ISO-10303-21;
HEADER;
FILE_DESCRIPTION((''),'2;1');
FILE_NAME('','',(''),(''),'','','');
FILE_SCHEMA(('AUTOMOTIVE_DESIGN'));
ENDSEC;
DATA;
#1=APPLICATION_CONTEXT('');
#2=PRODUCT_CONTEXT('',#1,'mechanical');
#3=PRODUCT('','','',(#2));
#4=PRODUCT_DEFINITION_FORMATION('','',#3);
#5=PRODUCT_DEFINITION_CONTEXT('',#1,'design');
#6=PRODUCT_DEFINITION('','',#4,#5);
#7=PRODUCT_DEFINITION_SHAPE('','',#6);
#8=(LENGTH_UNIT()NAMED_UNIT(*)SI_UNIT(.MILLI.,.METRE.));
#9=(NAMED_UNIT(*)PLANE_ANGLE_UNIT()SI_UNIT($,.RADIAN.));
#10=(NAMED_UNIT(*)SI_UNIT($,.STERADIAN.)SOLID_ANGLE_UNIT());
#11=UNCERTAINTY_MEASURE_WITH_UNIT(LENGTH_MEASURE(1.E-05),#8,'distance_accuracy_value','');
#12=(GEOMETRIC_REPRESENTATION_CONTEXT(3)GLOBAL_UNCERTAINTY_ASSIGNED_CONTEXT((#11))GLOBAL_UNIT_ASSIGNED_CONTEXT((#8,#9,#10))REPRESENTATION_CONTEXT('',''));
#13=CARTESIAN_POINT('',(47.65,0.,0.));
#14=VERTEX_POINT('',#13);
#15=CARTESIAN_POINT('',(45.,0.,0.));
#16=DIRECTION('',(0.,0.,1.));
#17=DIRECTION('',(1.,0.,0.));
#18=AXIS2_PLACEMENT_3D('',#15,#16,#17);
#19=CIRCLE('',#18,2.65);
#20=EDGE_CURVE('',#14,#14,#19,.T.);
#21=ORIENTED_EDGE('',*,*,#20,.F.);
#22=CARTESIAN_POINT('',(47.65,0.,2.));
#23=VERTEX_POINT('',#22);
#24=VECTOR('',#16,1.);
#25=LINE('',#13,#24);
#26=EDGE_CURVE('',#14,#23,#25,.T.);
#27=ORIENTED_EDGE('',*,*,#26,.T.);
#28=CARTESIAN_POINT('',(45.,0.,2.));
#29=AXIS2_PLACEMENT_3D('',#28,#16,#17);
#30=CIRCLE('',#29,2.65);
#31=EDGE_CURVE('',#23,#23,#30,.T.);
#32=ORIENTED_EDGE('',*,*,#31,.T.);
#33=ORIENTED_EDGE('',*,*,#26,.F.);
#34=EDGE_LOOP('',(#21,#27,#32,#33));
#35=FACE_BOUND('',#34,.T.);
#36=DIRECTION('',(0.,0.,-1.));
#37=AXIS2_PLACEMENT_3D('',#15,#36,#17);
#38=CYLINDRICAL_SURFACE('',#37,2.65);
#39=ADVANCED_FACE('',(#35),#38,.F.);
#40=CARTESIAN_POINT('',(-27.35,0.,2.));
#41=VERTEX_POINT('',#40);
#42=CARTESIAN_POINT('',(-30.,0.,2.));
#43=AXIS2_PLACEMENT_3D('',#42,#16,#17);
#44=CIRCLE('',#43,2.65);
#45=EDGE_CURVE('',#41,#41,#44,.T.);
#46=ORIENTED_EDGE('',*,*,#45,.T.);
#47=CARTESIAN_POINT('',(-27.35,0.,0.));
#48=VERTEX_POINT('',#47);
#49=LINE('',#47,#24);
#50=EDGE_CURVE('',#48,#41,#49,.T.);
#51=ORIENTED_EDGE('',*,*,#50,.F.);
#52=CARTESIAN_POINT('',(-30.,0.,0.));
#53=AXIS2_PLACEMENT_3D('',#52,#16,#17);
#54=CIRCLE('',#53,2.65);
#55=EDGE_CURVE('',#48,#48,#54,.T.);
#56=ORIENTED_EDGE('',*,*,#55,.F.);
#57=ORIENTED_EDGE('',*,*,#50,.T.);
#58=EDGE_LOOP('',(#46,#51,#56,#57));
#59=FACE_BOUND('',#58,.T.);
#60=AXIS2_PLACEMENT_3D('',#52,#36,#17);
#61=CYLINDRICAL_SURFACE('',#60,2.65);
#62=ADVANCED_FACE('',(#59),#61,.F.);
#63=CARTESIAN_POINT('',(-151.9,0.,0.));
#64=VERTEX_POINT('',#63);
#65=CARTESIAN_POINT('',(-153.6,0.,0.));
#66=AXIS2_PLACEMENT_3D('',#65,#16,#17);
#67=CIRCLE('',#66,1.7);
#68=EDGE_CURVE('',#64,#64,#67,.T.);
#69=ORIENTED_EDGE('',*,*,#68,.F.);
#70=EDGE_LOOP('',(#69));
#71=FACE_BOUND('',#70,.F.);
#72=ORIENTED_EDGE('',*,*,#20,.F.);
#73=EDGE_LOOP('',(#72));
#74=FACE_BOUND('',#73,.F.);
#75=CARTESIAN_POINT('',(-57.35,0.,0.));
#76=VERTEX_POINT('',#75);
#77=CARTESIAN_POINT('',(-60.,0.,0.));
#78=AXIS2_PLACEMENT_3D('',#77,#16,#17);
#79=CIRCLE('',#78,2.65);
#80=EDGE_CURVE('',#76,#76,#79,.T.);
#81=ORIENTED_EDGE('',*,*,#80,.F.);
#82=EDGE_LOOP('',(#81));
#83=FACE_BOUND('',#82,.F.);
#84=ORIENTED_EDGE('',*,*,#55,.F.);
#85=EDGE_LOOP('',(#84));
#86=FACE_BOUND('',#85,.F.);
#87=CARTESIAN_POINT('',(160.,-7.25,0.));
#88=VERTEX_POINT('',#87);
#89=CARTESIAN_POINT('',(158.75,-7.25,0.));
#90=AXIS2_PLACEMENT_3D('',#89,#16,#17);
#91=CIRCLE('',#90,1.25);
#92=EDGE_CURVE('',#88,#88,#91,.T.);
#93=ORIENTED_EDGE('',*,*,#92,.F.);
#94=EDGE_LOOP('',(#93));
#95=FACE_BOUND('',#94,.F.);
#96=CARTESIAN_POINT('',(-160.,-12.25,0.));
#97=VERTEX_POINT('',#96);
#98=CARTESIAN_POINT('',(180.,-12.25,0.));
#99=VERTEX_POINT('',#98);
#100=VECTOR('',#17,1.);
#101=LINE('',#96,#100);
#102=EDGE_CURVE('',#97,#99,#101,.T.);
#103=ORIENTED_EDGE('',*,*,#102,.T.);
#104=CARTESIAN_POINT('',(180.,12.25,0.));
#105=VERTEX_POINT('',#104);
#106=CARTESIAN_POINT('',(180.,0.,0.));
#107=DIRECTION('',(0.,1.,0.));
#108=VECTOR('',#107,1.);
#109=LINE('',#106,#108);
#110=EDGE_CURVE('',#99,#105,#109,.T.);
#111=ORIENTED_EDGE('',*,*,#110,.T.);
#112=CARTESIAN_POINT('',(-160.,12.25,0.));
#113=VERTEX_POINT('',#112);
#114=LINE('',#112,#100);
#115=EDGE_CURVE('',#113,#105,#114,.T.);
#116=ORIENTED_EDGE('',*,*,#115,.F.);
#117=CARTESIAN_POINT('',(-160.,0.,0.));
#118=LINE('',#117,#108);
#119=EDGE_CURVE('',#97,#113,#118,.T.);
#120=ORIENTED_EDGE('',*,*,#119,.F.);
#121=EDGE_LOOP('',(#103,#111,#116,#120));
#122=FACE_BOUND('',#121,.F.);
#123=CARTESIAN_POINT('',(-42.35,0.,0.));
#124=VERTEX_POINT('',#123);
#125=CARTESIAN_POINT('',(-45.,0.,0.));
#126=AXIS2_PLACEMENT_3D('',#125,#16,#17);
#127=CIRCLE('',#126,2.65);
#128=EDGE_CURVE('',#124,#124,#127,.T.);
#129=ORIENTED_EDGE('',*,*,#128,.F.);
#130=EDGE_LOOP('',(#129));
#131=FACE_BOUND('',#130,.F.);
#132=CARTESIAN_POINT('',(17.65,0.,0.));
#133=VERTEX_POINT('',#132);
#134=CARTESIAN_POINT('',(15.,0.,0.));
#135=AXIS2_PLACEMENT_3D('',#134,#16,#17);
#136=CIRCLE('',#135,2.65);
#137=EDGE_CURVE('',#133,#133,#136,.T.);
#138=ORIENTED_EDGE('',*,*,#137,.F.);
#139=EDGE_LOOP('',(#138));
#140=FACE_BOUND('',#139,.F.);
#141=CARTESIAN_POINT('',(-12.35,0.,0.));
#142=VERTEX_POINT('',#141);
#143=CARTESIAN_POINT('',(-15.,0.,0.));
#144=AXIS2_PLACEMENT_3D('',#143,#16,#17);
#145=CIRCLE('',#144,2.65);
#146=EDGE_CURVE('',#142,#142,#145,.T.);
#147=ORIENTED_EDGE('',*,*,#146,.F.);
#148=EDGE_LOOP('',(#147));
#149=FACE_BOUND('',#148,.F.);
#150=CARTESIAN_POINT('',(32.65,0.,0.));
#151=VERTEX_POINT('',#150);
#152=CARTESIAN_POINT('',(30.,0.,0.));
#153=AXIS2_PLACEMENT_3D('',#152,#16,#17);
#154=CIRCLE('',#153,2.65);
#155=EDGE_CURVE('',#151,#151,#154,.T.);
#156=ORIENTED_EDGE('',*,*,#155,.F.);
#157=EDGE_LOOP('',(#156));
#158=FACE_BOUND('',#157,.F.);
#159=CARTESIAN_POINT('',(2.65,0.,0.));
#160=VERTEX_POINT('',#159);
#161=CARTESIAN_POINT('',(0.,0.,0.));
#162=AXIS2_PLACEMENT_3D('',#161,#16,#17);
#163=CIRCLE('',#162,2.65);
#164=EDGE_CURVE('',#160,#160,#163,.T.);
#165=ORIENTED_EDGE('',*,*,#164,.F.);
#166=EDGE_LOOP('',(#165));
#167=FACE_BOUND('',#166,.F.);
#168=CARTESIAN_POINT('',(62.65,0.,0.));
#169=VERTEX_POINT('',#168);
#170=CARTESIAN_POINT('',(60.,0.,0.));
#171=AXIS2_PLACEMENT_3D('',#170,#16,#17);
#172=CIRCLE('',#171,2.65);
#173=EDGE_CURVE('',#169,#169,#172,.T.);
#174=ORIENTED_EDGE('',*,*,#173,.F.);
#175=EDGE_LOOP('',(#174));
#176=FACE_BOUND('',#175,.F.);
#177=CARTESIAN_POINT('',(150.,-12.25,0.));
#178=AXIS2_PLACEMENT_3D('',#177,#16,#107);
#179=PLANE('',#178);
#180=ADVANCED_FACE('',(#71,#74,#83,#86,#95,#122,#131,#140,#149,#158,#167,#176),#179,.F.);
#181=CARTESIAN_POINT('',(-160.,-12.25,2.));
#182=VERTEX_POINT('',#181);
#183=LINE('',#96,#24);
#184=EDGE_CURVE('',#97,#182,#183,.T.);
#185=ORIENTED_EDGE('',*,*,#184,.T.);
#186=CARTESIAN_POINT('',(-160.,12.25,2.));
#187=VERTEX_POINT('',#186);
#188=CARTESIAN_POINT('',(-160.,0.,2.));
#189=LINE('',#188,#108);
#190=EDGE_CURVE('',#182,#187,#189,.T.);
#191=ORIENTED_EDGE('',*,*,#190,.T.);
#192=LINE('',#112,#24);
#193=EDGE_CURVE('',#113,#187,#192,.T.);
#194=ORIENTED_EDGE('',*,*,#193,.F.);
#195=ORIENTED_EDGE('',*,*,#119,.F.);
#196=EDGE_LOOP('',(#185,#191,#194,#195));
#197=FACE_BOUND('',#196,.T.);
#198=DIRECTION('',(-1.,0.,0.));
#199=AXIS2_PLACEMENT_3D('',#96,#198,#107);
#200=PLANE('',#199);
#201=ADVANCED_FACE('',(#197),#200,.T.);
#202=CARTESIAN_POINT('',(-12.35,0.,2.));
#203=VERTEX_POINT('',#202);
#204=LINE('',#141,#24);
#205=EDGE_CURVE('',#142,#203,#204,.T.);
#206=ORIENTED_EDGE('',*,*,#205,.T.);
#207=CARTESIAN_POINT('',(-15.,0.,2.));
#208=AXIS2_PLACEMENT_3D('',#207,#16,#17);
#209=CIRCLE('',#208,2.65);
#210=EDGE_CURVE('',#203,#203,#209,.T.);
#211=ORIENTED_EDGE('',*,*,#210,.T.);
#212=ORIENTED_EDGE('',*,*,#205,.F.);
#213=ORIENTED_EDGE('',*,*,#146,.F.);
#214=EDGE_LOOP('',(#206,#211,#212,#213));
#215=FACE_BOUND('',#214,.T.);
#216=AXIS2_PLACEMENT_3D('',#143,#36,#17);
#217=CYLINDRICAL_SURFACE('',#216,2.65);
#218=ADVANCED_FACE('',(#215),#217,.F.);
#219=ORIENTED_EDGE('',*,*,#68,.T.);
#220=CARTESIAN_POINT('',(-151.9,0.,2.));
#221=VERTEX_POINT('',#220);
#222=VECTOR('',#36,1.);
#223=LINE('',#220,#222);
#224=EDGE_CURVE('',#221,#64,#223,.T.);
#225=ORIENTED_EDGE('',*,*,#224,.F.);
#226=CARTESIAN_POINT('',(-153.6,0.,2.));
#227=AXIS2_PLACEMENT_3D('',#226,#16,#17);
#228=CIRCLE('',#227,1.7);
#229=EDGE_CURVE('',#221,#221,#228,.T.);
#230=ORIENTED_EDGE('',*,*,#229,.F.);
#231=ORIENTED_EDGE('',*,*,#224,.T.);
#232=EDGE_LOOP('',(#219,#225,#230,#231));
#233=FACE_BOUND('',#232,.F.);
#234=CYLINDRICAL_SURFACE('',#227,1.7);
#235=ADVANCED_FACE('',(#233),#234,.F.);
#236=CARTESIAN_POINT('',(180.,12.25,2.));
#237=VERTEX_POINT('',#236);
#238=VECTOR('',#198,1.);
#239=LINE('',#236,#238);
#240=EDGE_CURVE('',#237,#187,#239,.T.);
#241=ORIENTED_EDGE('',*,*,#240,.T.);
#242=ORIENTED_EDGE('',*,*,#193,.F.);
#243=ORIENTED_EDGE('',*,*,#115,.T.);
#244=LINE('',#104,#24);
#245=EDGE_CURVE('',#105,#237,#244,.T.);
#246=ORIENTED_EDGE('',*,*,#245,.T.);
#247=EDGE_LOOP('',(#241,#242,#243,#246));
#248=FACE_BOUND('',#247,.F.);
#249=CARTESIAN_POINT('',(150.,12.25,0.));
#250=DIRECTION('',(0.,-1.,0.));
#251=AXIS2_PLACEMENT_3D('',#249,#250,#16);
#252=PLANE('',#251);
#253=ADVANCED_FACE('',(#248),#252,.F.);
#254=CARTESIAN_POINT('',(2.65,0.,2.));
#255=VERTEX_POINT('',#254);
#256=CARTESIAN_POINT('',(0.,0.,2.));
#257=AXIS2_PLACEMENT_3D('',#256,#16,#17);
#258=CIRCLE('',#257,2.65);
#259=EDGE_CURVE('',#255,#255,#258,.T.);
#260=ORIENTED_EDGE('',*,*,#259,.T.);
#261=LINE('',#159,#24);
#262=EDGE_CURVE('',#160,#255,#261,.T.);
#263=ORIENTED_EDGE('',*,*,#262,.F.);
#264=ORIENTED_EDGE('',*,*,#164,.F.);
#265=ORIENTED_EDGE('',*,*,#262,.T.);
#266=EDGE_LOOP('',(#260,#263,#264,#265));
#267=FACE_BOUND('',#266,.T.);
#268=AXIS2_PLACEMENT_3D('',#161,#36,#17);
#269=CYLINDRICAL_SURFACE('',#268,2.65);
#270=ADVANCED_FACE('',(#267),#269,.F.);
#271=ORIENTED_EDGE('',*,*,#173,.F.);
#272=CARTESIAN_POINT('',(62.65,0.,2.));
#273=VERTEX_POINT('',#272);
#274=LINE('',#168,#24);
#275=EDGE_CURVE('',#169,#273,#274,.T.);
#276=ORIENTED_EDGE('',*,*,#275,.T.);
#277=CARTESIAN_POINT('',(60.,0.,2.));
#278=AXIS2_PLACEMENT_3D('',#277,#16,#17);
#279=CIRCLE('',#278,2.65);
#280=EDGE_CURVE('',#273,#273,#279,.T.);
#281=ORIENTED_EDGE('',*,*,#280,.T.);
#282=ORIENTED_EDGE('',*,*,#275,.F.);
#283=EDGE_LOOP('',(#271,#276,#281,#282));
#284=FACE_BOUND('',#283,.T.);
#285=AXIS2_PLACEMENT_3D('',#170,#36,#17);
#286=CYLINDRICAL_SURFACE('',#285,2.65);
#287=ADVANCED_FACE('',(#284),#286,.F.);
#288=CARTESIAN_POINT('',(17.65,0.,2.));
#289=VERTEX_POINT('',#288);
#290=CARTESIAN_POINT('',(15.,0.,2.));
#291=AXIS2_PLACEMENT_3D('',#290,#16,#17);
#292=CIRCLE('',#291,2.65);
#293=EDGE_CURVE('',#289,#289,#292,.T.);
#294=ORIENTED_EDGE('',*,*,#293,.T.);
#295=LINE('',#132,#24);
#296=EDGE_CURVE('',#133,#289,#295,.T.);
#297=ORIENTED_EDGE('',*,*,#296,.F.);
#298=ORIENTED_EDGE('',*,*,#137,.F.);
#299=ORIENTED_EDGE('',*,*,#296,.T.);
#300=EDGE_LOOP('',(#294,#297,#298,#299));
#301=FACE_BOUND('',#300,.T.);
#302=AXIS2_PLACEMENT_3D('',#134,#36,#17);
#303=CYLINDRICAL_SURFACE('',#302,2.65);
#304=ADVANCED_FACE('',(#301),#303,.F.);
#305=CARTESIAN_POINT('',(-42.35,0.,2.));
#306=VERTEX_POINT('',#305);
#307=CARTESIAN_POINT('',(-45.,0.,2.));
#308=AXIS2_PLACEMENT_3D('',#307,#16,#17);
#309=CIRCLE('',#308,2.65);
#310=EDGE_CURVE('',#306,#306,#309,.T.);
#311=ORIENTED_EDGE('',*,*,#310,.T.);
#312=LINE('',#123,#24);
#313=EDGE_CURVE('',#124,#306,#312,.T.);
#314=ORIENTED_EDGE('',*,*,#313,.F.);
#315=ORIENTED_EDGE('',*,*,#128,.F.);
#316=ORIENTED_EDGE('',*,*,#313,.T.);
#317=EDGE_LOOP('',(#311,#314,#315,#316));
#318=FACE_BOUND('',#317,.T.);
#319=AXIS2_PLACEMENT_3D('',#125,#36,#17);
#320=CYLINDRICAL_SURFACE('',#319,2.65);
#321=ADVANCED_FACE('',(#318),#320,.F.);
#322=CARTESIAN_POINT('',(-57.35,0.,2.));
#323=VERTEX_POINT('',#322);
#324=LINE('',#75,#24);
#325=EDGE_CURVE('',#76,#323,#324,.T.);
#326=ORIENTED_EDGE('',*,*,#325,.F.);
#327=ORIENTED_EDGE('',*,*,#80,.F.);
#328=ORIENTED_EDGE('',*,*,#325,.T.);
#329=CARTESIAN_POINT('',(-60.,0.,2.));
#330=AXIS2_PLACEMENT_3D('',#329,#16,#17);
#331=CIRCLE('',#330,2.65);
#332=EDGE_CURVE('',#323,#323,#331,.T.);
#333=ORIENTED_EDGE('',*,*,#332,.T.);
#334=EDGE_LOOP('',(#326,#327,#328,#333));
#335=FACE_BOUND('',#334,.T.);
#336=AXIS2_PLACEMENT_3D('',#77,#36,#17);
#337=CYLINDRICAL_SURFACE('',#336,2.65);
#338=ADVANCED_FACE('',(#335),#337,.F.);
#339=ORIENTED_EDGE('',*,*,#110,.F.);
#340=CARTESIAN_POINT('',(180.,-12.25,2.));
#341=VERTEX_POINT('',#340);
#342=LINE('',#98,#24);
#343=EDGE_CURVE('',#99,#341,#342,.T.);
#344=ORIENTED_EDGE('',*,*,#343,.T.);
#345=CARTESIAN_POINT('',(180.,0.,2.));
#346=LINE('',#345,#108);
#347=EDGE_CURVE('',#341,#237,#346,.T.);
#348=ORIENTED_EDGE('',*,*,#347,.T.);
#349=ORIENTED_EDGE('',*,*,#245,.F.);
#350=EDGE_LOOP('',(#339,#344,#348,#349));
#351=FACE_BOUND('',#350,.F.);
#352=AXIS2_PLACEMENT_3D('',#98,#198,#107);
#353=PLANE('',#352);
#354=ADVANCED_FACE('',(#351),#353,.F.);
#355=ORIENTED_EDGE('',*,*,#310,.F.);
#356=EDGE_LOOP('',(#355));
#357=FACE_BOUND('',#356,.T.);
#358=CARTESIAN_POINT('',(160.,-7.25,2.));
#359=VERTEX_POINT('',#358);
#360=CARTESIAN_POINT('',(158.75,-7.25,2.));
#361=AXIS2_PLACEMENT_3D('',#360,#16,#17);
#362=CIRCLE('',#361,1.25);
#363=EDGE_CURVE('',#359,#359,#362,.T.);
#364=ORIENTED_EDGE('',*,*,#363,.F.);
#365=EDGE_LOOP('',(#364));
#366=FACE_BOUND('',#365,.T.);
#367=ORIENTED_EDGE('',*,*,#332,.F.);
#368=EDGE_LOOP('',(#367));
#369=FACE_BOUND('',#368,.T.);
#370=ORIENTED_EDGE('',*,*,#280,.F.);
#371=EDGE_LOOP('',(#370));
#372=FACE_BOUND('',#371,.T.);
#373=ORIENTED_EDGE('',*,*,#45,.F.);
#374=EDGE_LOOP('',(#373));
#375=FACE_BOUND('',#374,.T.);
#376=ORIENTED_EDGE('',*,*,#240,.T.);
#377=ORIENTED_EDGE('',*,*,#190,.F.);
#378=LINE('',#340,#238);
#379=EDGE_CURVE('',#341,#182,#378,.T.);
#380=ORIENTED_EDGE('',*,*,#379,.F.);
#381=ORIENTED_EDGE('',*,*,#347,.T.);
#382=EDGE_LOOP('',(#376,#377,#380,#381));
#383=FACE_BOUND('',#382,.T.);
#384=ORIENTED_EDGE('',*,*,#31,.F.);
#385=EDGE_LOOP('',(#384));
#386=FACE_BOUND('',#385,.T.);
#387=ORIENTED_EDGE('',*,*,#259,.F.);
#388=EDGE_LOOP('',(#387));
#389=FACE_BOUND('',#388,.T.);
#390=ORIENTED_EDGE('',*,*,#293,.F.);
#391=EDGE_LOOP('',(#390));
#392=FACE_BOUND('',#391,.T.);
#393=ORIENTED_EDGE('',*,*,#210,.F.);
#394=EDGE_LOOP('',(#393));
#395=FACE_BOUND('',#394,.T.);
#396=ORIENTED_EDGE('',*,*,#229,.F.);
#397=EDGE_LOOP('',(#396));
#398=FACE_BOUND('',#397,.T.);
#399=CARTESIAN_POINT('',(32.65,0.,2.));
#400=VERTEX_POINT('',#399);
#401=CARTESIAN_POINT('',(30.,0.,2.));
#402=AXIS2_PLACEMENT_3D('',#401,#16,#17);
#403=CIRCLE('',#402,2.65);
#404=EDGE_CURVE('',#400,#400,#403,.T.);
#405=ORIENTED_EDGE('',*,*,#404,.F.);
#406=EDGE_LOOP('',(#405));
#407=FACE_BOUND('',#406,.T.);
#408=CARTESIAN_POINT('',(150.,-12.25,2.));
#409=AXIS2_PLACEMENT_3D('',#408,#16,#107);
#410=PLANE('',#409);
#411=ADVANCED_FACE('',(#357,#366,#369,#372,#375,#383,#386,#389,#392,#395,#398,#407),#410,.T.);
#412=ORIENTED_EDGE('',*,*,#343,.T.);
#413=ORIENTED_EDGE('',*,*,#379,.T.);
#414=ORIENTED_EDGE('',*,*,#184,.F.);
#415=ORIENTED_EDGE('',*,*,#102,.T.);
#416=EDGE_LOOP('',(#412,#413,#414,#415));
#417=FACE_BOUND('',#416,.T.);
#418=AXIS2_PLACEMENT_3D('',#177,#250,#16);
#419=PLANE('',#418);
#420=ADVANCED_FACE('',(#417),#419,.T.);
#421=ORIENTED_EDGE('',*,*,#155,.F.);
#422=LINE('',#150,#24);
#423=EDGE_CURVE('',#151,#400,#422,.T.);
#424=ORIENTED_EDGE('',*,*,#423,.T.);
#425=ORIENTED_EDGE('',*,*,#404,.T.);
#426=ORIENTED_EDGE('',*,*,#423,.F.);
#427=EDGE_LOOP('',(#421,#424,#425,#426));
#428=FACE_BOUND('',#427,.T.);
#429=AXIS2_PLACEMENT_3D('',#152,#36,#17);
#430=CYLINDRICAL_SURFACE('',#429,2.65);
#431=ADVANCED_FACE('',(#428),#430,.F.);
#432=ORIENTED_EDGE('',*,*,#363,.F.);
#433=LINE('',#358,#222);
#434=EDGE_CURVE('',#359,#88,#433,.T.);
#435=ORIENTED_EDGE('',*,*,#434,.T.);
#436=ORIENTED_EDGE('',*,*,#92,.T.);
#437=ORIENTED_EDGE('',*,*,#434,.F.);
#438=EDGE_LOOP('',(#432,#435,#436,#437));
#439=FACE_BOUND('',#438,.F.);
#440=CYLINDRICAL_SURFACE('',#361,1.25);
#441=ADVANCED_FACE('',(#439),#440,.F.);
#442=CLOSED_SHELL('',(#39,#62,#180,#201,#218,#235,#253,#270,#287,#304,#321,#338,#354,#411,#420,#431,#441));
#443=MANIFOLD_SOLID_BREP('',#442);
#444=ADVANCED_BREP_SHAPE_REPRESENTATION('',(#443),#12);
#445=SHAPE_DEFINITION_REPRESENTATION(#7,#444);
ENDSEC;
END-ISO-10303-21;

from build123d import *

# Parameters (mm, degrees)
F0_W     = 300
F0_H     = 24.5
F0_R     = 2.65
F1_DEPTH = 2
F2_DEPTH = 10
F3_DEPTH = 30
F4_R     = 1.7
F5_DEPTH = 2
F6_R     = 1.25
F7_DEPTH = 2


with BuildPart() as f1:
    # F0 (on Top) → F1 (new body)
    with BuildSketch(Plane.XY):
        Rectangle(F0_W, F0_H)
        with Locations((-60, 0)):
            Circle(F0_R, mode=Mode.SUBTRACT)
        with Locations((-45, 0)):
            Circle(F0_R, mode=Mode.SUBTRACT)
        with Locations((-30, 0)):
            Circle(F0_R, mode=Mode.SUBTRACT)
        with Locations((-15, 0)):
            Circle(F0_R, mode=Mode.SUBTRACT)
        Circle(F0_R, mode=Mode.SUBTRACT)
        with Locations((15, 0)):
            Circle(F0_R, mode=Mode.SUBTRACT)
        with Locations((30, 0)):
            Circle(F0_R, mode=Mode.SUBTRACT)
        with Locations((45, 0)):
            Circle(F0_R, mode=Mode.SUBTRACT)
        with Locations((60, 0)):
            Circle(F0_R, mode=Mode.SUBTRACT)
    extrude(amount=F1_DEPTH)

    # F2 (add): a face of the model
    f2_faces = [f1.faces().sort_by_distance(p)[0] for p in [
        (-150, 0, 1),
    ]]
    extrude(f2_faces, amount=F2_DEPTH)

    # F3 (add): a face of the model
    f3_faces = [f1.faces().sort_by_distance(p)[0] for p in [
        (150, 0, 1),
    ]]
    extrude(f3_faces, amount=F3_DEPTH)

    # F4 (on face) → F5 (cut, through all)
    with BuildSketch(Plane.XY.offset(2)):
        with Locations((-153.6, 0)):
            Circle(F4_R)
    extrude(amount=-F5_DEPTH, mode=Mode.SUBTRACT)

    # F6 (on face) → F7 (cut, through all)
    with BuildSketch(Plane.XY.offset(2)):
        with Locations((158.75, -7.25)):
            Circle(F6_R)
    extrude(amount=-F7_DEPTH, mode=Mode.SUBTRACT)


solid = f1.part
